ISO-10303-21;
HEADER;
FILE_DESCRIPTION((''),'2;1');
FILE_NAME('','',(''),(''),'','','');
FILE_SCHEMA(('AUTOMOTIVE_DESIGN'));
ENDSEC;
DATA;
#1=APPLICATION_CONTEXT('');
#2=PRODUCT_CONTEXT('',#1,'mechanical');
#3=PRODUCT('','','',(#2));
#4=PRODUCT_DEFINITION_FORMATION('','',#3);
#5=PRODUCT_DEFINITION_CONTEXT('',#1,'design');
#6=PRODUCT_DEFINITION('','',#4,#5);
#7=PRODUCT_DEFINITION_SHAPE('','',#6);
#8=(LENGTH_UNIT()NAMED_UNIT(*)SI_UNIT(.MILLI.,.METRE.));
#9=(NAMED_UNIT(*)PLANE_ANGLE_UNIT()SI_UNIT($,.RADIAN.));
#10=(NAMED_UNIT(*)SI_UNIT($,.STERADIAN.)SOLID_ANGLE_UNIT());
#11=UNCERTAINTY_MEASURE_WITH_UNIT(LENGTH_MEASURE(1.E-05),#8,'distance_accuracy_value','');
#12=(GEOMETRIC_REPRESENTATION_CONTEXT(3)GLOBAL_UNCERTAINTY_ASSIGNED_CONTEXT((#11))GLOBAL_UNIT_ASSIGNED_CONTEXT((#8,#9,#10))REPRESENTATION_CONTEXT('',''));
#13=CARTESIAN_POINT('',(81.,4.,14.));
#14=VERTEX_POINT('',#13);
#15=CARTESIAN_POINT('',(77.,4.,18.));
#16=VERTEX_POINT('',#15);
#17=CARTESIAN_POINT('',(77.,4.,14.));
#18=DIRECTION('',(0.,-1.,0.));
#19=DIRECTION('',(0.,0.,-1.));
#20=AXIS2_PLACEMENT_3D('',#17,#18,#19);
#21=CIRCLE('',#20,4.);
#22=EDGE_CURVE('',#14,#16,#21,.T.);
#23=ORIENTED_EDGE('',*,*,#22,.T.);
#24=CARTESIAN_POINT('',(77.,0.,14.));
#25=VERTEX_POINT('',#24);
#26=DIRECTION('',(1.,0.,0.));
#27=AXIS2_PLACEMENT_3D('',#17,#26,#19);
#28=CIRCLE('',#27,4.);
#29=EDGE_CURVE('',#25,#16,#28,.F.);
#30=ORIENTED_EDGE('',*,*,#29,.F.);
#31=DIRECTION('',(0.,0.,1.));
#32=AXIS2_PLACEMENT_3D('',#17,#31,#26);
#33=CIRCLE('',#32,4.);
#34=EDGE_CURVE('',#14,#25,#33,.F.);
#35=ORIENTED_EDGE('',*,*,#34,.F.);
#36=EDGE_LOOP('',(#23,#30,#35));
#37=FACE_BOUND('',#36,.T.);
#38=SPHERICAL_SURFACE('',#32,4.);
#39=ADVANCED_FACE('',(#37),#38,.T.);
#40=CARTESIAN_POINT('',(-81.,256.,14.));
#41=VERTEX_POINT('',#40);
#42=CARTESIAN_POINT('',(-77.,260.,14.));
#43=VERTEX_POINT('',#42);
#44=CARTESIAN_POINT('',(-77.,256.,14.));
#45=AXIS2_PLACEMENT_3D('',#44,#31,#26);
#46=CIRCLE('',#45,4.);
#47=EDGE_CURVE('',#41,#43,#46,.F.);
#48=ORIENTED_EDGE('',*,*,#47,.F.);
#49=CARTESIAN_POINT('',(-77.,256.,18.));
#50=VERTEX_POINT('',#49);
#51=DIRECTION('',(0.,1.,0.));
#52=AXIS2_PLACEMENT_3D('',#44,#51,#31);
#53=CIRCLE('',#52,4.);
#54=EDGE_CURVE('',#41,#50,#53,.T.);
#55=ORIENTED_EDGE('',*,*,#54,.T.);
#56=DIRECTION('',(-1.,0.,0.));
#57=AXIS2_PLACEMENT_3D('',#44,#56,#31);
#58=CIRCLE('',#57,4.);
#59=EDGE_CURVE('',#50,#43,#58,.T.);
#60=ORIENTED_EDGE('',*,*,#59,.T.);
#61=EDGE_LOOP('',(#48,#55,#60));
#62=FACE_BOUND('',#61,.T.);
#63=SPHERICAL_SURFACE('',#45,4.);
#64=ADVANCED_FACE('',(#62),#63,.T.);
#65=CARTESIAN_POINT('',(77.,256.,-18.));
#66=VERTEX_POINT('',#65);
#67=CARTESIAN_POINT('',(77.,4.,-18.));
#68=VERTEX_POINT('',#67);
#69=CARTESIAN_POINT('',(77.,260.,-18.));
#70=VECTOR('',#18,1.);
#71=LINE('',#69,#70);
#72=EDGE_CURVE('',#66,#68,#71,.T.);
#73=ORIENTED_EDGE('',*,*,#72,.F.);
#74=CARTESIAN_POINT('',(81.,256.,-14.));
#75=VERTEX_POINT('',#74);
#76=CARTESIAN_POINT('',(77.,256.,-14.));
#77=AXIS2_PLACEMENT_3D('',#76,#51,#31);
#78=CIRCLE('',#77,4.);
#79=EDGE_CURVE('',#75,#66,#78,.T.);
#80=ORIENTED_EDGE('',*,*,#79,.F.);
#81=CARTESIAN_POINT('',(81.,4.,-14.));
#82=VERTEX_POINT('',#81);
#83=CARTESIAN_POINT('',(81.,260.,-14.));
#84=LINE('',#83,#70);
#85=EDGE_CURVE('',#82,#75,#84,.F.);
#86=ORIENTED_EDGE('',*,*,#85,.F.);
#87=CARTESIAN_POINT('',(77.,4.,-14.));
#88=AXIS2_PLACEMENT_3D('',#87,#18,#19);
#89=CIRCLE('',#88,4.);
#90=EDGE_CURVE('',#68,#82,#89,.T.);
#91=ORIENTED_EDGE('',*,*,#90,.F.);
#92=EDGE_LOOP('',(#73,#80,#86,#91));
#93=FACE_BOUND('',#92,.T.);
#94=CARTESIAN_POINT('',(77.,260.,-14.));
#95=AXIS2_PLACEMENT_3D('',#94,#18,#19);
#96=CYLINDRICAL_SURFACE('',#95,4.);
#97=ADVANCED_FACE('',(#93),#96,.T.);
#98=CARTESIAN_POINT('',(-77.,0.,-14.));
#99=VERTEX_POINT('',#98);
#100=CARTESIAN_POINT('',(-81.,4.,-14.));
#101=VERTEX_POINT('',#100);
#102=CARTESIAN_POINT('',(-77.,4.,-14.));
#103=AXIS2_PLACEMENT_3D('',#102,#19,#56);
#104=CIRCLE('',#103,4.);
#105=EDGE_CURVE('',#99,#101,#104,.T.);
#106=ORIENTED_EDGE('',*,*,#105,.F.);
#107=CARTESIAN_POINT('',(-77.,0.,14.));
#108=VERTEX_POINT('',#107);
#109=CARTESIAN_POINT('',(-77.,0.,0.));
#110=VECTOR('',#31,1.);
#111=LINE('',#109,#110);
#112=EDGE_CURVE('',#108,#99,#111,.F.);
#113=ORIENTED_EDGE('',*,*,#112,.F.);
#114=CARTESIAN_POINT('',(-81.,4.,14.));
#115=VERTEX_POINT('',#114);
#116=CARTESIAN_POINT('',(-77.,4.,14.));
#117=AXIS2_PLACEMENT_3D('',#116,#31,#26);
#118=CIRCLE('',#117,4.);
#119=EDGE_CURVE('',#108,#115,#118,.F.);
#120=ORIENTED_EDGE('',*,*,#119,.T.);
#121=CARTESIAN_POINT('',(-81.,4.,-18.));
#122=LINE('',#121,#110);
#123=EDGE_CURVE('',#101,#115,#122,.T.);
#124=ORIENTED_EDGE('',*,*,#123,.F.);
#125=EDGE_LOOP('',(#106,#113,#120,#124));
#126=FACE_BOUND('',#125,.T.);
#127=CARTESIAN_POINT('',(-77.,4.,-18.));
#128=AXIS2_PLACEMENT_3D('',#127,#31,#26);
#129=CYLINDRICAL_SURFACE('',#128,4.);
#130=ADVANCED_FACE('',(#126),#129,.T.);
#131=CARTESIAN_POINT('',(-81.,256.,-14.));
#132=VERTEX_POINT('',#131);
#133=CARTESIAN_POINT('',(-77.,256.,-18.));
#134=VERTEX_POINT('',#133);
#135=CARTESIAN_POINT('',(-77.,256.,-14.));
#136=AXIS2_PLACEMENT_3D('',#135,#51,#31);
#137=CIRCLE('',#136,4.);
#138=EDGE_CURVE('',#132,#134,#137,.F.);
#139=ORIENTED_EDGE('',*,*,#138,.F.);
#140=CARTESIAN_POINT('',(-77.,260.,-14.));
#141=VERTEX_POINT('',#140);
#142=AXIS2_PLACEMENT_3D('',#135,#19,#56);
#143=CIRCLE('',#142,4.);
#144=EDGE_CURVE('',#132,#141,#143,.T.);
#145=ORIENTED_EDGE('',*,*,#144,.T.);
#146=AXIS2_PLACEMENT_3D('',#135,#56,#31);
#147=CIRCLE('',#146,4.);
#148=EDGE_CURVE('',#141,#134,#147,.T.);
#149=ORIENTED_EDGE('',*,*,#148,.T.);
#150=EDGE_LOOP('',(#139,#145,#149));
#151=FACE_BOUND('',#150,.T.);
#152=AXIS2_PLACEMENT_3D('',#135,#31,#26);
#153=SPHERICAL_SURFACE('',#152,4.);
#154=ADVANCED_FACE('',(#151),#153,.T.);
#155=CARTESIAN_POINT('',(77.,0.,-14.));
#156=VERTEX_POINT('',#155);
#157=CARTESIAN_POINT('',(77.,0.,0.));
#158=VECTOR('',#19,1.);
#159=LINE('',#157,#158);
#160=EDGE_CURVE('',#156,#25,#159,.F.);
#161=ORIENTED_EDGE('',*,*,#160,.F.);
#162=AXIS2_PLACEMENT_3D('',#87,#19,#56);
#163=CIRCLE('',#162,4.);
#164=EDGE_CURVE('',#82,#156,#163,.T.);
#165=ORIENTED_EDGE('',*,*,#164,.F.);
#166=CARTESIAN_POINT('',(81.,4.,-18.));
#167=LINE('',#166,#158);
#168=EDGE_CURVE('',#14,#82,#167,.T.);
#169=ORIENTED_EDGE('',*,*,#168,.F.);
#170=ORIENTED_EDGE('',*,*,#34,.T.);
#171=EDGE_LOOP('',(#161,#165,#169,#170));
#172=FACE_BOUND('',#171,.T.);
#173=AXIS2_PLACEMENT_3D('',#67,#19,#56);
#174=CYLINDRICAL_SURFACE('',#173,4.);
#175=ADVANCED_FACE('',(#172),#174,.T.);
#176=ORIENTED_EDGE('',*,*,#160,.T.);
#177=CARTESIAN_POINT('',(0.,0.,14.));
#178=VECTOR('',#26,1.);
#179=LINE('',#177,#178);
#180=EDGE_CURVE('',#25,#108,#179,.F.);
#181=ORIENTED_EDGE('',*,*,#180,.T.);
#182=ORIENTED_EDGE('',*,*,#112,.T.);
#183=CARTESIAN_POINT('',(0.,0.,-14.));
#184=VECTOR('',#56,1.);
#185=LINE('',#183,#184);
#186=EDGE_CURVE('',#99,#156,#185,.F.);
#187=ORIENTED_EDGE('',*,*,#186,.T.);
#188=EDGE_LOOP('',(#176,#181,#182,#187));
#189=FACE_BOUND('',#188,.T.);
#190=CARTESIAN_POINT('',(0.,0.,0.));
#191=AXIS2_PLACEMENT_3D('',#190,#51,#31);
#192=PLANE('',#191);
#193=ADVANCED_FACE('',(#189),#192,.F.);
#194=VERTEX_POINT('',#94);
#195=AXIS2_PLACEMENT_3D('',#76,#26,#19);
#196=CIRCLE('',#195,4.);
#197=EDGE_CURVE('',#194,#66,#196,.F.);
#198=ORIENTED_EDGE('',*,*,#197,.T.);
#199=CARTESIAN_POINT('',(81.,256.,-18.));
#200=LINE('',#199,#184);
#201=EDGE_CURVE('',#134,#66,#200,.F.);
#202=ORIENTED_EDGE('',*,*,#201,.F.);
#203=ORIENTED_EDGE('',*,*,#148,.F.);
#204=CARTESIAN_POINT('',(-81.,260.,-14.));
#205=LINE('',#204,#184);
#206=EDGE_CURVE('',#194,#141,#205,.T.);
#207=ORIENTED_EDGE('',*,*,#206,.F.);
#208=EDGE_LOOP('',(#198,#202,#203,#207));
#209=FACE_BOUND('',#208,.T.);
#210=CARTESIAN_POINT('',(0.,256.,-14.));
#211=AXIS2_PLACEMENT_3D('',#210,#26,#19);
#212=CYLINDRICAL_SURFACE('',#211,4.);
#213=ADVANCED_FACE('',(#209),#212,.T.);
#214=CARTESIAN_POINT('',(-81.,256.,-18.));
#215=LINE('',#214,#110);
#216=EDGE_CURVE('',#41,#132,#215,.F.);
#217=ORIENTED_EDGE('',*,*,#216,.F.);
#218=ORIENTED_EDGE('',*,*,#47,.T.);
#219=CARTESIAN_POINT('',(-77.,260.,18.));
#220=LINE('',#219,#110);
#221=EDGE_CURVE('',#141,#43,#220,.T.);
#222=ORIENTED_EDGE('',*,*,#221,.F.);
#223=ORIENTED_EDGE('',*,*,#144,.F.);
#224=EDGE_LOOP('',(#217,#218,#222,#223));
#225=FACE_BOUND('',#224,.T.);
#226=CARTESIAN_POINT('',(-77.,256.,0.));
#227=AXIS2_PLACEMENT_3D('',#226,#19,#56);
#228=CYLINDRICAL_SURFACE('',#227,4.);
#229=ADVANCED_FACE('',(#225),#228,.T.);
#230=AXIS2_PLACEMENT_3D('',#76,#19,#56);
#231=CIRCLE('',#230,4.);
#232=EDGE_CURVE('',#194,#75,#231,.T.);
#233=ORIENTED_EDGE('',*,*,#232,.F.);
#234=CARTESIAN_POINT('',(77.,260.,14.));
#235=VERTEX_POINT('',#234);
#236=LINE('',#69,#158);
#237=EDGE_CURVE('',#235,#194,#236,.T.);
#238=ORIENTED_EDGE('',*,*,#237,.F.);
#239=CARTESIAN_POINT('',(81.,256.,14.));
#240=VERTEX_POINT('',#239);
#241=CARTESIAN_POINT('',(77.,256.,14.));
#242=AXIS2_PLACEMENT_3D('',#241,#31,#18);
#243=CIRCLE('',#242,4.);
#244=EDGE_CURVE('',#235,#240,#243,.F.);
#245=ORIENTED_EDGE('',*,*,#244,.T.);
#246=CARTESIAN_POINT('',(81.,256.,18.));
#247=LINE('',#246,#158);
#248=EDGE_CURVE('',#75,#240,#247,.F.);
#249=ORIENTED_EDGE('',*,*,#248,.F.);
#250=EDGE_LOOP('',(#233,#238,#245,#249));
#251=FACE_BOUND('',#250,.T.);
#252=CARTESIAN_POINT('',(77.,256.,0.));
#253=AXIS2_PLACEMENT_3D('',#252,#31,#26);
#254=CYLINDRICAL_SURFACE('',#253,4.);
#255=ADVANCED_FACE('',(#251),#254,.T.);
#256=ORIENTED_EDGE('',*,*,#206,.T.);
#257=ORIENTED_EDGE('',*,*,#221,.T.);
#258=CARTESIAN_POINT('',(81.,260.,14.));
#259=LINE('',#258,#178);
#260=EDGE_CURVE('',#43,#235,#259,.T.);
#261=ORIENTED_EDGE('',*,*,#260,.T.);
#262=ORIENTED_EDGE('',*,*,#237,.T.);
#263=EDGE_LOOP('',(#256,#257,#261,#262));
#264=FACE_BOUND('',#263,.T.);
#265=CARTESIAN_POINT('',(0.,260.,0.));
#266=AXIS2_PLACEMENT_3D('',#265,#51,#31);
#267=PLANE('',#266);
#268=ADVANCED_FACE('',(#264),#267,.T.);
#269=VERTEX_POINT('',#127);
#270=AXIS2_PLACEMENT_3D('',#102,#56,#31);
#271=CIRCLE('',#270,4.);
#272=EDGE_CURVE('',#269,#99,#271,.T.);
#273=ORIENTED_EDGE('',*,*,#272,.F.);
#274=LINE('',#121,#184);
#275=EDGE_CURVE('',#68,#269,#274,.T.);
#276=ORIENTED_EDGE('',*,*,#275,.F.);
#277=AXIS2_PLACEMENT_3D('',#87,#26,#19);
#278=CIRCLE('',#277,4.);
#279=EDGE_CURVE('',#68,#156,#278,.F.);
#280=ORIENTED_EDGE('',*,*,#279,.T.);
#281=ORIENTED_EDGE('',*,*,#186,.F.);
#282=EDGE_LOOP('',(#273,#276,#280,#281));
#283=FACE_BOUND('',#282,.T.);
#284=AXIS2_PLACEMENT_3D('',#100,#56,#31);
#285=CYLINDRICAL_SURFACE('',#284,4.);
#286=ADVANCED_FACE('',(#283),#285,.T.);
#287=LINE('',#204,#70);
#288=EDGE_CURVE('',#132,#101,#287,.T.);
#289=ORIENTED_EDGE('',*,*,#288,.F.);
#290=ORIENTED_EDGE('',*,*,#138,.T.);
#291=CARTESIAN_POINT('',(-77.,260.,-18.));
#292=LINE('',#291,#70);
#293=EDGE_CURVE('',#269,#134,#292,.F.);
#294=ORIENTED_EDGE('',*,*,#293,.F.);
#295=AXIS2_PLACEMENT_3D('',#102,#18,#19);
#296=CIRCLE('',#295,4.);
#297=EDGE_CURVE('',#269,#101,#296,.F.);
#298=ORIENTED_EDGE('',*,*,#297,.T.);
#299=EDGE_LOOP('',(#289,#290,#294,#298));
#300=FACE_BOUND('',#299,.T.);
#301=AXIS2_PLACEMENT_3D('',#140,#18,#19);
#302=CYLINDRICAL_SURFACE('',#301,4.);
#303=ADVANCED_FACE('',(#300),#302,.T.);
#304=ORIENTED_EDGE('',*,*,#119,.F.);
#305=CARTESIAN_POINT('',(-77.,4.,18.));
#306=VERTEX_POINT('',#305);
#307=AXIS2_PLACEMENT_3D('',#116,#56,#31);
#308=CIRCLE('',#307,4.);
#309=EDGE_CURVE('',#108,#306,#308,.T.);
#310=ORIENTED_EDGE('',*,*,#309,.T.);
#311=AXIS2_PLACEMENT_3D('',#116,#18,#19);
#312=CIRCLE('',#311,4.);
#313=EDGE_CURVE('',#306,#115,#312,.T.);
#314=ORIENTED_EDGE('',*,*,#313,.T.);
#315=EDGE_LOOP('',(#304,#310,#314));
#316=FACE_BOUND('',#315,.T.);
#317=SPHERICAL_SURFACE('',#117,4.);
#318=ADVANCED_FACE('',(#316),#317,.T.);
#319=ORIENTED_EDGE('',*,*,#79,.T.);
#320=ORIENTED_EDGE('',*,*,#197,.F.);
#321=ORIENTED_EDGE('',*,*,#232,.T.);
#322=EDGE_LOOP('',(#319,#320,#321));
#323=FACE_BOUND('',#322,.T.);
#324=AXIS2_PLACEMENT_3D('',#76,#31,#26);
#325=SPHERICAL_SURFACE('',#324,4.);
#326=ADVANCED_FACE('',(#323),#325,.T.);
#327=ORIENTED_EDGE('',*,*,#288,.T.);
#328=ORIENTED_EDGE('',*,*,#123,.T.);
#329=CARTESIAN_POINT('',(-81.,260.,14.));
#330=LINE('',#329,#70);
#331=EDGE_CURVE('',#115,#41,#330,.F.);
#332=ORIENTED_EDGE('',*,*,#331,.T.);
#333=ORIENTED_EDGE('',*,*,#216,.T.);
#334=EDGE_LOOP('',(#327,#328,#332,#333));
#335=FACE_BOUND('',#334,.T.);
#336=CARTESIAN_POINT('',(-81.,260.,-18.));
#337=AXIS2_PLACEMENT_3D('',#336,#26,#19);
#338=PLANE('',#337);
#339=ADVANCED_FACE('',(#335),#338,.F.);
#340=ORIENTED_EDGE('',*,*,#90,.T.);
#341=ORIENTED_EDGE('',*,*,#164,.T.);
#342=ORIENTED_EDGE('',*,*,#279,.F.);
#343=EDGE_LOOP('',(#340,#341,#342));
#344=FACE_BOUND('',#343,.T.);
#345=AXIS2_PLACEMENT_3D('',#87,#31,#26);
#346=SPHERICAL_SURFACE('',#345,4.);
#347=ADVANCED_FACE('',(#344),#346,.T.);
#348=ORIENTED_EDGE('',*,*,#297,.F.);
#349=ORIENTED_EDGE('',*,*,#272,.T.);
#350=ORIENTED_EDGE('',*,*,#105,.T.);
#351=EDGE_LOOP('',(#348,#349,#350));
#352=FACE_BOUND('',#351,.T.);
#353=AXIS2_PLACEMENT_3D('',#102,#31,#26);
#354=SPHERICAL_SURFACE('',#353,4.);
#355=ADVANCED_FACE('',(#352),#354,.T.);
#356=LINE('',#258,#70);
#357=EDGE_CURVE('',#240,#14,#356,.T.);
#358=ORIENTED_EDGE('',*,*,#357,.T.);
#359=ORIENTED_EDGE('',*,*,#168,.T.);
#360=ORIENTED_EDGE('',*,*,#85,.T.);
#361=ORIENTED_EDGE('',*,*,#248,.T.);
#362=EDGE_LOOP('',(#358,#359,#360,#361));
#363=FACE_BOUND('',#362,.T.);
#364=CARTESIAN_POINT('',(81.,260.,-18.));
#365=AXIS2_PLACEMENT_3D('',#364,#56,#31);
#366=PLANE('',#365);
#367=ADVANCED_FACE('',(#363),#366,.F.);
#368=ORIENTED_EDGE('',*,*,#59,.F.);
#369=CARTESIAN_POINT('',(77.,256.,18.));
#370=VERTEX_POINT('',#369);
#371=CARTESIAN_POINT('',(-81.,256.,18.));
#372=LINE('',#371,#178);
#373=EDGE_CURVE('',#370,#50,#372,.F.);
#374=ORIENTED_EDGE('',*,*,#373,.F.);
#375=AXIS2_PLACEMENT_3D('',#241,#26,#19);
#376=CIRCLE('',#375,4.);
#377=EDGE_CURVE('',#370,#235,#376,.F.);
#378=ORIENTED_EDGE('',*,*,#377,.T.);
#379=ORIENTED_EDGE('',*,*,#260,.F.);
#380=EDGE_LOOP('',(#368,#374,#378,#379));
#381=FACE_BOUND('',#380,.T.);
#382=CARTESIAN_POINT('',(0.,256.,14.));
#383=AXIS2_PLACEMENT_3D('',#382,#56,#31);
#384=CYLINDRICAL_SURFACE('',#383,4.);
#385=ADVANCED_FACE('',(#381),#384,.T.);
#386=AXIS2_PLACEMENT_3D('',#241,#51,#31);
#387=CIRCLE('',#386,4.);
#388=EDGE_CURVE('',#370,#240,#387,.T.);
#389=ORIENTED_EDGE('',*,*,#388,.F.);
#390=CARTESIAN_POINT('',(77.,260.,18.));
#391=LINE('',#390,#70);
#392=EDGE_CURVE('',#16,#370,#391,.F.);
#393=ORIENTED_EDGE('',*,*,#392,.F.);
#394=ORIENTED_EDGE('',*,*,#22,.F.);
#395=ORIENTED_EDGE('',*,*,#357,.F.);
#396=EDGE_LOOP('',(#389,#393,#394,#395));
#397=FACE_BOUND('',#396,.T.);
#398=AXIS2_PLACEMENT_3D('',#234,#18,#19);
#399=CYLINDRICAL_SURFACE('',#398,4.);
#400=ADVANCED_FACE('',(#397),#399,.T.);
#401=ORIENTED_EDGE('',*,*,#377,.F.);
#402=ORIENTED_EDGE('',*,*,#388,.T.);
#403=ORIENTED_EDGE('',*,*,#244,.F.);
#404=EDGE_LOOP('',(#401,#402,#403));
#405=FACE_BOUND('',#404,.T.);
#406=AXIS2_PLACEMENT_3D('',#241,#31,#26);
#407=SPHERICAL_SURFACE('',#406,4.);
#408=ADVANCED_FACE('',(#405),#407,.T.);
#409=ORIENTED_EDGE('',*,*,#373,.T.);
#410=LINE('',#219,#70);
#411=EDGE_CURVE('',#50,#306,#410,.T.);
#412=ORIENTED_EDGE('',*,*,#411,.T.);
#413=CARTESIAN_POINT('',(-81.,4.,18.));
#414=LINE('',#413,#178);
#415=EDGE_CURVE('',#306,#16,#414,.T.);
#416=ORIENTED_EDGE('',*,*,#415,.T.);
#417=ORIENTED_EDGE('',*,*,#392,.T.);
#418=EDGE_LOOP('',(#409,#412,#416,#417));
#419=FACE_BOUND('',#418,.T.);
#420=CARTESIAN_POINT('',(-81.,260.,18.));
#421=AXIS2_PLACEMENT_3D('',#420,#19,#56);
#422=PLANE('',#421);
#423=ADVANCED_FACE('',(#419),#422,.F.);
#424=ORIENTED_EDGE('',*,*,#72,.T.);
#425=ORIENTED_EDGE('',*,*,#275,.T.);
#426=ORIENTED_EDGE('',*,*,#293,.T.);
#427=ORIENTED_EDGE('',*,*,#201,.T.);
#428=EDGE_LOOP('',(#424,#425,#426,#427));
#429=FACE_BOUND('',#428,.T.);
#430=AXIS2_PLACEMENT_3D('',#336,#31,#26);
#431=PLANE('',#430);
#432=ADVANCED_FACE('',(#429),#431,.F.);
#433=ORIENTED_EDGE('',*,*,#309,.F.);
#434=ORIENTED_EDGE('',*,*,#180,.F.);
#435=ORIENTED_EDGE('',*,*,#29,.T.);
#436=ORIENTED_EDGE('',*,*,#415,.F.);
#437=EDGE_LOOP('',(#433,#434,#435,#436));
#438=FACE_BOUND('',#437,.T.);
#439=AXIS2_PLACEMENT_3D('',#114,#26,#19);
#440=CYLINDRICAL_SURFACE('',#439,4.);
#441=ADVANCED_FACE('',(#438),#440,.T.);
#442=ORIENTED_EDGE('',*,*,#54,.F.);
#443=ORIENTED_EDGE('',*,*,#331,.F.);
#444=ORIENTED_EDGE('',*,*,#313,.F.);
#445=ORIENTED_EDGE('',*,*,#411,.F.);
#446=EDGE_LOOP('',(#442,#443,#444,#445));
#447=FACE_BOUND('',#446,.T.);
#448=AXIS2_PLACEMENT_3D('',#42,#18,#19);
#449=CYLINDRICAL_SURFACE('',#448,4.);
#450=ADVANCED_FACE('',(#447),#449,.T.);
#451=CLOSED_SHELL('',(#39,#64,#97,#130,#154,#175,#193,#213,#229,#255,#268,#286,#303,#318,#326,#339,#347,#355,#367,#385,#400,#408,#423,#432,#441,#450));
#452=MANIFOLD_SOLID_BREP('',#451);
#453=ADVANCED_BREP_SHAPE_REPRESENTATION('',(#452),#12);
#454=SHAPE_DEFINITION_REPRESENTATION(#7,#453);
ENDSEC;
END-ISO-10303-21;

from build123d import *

# Parameters (mm, degrees)
SKETCH2_W           = 162
SKETCH2_H           = 36
BOSS_EXTRUDE1_DEPTH = 260
FILLET1_R           = 4


with BuildPart() as part:
    # Sketch2 → Boss-Extrude1 (new body)
    with BuildSketch(Plane(origin=(0, 0, 0), x_dir=(1, 0, 0), z_dir=(0, 1, 0))):
        Rectangle(SKETCH2_W, SKETCH2_H)
    extrude(amount=BOSS_EXTRUDE1_DEPTH)

    # Fillet1
    fillet1_edges = [part.edges().sort_by_distance(p)[0] for p in [
        (-81, 260, 0),
        (0, 260, 18),
        (81, 260, 0),
        (0, 0, 18),
        (-81, 0, 0),
        (0, 0, -18),
        (81, 0, 0),
        (81, 130, 18),
        (-81, 130, 18),
        (-81, 130, -18),
        (81, 130, -18),
        (0, 260, -18),
    ]]
    fillet(fillet1_edges, radius=FILLET1_R)


solid = part.part
